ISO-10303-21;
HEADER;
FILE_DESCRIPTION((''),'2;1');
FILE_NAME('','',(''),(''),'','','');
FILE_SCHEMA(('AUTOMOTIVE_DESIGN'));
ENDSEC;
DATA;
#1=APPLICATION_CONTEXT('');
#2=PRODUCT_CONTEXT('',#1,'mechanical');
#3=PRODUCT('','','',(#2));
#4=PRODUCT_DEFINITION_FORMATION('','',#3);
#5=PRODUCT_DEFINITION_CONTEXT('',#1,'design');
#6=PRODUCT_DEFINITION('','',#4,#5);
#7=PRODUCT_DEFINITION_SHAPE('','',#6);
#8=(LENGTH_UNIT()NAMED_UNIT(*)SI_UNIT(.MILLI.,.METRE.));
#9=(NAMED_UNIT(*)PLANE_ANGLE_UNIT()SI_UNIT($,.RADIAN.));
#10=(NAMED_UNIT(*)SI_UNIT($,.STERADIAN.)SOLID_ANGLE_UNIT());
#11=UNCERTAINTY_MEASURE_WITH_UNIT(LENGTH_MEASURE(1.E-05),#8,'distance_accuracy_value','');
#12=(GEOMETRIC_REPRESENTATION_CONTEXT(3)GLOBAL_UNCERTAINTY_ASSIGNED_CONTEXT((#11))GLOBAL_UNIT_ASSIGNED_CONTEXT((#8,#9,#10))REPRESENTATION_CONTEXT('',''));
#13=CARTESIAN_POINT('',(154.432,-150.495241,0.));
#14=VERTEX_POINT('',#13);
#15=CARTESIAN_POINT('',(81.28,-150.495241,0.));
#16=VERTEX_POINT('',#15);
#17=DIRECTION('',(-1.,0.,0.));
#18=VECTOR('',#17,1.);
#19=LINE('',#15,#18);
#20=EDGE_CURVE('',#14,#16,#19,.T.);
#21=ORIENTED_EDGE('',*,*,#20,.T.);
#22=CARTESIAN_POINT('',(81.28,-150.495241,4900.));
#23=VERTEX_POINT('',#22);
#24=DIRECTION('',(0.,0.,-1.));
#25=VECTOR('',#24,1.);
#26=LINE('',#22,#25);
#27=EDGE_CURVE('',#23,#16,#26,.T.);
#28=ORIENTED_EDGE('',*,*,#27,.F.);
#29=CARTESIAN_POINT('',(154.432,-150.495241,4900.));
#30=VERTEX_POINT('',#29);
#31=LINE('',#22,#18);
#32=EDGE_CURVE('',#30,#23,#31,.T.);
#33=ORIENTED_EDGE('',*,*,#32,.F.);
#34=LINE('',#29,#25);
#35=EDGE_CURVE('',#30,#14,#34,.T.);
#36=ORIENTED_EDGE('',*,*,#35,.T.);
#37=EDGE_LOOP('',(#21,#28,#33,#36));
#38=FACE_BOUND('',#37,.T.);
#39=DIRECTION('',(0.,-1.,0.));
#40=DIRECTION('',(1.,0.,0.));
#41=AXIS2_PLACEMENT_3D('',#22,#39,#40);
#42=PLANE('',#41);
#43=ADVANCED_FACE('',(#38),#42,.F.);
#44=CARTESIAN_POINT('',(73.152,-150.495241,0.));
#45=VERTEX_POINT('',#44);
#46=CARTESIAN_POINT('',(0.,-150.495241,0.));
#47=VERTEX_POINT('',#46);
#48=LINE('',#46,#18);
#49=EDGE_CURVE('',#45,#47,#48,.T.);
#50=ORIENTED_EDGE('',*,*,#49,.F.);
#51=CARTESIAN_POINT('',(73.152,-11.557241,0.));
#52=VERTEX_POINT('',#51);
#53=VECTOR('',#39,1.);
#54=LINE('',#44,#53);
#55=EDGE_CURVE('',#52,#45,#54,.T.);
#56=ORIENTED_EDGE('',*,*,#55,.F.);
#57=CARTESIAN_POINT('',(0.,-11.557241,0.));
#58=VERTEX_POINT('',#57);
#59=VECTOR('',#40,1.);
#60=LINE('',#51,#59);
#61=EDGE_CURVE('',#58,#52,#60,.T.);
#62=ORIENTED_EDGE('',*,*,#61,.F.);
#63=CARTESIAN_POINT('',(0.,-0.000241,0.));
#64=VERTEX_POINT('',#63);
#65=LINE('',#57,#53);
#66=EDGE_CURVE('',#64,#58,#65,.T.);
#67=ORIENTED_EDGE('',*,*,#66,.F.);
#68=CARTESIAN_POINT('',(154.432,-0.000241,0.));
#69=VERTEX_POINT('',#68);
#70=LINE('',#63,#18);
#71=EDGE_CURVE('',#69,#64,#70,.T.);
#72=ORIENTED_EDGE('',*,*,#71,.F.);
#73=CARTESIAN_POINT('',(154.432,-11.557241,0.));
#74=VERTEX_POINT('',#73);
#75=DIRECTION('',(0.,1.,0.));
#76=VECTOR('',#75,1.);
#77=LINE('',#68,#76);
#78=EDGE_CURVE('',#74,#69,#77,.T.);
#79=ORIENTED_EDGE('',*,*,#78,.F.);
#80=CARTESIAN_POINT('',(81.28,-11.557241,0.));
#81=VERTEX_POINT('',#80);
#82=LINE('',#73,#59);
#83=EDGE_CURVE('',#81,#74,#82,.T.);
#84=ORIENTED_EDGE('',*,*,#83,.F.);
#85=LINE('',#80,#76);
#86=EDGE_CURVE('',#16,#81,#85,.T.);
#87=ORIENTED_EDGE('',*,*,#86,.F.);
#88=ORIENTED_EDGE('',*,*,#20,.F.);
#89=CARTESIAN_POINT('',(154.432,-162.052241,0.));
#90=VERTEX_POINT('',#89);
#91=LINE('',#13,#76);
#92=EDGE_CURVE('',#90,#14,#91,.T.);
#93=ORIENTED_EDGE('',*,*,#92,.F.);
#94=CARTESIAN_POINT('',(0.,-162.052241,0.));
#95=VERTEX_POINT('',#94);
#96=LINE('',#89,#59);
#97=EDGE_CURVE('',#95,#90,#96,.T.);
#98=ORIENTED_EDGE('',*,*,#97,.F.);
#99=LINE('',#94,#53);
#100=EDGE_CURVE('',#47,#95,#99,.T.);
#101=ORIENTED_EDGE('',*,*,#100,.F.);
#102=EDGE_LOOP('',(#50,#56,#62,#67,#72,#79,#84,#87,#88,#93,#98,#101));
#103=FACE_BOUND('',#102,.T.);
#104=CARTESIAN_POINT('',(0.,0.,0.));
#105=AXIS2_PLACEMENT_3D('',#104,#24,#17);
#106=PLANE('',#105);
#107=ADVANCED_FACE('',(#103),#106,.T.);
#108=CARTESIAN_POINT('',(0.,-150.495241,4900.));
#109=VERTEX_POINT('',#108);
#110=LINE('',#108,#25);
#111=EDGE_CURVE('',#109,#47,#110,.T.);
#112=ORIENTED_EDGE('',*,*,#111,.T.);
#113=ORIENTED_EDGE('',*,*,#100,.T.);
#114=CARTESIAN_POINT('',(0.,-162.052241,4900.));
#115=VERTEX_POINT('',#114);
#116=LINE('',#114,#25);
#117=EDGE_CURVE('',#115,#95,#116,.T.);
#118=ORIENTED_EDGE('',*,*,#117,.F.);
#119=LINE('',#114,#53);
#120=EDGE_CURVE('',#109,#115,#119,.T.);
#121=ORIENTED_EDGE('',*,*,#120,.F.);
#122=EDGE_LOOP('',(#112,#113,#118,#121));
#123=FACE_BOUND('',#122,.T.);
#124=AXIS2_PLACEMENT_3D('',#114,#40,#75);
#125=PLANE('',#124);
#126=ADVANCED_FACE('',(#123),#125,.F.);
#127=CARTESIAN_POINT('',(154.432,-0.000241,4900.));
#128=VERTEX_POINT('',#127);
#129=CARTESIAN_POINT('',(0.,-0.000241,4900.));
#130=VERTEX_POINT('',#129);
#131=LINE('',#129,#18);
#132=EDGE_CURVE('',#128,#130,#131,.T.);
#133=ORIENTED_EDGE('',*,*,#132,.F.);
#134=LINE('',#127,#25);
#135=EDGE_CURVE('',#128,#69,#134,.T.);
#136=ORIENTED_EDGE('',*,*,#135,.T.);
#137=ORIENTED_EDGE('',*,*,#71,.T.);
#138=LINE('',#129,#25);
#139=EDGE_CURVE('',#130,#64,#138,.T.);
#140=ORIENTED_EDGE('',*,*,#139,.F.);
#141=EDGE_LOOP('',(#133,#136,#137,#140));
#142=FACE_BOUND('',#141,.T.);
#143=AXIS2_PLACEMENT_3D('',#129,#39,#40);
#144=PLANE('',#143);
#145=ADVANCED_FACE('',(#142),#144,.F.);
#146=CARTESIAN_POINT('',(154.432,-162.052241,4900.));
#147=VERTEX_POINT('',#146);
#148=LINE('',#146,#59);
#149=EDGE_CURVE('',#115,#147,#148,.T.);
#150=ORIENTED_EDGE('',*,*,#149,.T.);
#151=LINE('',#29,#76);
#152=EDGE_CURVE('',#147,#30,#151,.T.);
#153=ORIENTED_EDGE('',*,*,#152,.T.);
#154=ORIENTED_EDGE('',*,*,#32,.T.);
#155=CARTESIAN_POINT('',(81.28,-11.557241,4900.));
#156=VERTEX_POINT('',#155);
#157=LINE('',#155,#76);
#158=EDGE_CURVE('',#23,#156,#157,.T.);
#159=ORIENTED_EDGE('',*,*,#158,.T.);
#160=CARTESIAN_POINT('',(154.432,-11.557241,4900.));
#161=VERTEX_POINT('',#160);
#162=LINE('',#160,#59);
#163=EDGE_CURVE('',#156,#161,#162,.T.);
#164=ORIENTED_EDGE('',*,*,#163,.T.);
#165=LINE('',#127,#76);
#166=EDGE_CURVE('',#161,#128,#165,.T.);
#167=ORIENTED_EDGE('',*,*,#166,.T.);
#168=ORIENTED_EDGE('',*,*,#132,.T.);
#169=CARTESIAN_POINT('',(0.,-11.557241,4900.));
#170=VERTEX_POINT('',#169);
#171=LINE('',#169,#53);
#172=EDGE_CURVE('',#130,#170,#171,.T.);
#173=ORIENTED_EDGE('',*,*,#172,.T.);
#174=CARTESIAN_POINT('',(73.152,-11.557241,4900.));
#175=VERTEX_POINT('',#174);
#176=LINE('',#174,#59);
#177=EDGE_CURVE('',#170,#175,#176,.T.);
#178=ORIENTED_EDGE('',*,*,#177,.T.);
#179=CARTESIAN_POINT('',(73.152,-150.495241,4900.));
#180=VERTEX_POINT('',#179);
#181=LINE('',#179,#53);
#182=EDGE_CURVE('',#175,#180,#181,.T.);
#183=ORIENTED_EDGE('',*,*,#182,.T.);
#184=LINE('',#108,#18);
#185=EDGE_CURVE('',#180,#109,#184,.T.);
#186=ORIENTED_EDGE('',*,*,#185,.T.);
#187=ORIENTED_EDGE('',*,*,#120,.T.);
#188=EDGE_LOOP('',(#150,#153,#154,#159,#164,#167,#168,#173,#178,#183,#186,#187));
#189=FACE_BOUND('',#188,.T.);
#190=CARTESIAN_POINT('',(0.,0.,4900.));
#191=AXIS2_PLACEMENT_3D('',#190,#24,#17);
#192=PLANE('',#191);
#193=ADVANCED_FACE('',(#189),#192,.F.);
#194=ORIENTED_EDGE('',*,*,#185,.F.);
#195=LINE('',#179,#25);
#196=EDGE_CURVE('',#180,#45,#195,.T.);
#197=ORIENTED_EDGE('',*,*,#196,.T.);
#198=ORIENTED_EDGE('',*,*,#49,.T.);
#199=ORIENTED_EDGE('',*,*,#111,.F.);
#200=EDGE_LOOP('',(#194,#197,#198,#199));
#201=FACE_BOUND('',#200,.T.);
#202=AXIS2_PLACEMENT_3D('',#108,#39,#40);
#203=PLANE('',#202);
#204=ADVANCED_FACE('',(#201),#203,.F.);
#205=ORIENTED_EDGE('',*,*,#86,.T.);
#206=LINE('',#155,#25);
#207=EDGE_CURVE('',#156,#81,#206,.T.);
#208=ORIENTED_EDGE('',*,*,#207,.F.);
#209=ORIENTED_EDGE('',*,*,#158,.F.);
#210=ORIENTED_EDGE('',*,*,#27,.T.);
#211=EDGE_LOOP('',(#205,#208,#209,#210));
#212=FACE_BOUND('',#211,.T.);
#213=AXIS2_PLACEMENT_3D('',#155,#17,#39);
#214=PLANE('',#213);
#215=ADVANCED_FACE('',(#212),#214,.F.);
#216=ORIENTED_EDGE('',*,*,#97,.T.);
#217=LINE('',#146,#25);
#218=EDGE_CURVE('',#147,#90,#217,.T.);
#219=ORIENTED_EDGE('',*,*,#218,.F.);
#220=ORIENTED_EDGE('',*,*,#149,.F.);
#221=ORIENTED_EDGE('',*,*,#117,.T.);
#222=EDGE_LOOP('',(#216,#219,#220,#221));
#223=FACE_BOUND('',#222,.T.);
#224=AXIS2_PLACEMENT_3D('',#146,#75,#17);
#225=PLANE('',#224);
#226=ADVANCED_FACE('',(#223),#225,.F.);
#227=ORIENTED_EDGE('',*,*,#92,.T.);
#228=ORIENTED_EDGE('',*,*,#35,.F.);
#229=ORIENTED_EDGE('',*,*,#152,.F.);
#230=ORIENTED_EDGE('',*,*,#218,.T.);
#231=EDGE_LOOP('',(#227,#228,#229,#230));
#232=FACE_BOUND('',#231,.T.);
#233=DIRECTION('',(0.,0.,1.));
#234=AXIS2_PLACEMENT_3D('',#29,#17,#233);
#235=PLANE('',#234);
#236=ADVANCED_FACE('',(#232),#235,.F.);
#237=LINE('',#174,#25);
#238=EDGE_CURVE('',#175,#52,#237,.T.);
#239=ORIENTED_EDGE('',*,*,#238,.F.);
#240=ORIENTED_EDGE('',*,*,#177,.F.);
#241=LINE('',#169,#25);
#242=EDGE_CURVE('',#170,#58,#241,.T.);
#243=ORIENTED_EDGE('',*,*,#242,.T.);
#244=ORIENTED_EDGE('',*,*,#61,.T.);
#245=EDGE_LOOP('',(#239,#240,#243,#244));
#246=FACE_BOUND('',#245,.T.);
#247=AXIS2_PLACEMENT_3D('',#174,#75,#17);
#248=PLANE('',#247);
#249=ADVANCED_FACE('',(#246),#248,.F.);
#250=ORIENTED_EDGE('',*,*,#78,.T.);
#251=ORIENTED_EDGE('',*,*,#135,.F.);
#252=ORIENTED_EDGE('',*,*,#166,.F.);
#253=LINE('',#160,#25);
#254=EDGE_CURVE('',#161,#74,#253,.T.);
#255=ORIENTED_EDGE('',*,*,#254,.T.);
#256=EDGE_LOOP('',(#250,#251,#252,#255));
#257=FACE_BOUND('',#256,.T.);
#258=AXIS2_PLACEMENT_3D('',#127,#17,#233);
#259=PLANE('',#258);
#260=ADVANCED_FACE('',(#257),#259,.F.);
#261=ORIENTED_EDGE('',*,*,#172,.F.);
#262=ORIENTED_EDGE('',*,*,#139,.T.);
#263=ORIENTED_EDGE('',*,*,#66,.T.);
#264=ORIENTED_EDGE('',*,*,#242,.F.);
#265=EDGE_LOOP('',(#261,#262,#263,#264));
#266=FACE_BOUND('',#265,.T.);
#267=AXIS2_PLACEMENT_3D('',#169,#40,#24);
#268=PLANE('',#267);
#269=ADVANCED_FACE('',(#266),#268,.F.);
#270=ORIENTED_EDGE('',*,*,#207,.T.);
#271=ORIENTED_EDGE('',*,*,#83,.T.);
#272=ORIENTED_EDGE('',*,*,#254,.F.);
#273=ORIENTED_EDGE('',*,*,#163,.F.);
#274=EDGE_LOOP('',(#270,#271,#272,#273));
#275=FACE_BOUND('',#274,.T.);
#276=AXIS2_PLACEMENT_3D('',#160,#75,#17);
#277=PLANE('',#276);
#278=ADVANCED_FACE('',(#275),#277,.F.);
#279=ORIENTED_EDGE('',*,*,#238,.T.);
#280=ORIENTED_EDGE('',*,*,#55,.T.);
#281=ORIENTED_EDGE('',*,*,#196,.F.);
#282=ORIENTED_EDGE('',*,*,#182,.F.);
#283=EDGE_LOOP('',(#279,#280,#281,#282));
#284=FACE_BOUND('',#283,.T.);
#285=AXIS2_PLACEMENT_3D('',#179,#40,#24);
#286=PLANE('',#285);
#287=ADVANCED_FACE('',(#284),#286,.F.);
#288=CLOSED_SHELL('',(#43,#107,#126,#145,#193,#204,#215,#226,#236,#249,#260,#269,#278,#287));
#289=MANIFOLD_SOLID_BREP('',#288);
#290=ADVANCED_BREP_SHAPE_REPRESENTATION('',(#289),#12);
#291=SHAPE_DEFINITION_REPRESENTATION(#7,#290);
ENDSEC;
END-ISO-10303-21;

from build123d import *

# Parameters (mm, degrees)
BOSS_EXTRUDE1_DEPTH = 4900


with BuildPart() as part:
    # Sketch1 → Boss-Extrude1 (new body)
    with BuildSketch(Plane.XY):
        Polygon((0, -0.000240533), (154.432, -0.000240533), (154.432, -11.557240533), (81.28, -11.557240533), (81.28, -150.495240533), (154.432, -150.495240533), (154.432, -162.052240533), (0, -162.052240533), (0, -150.495240533), (73.152, -150.495240533), (73.152, -11.557240533), (0, -11.557240533), align=None)
    extrude(amount=BOSS_EXTRUDE1_DEPTH)


solid = part.part
